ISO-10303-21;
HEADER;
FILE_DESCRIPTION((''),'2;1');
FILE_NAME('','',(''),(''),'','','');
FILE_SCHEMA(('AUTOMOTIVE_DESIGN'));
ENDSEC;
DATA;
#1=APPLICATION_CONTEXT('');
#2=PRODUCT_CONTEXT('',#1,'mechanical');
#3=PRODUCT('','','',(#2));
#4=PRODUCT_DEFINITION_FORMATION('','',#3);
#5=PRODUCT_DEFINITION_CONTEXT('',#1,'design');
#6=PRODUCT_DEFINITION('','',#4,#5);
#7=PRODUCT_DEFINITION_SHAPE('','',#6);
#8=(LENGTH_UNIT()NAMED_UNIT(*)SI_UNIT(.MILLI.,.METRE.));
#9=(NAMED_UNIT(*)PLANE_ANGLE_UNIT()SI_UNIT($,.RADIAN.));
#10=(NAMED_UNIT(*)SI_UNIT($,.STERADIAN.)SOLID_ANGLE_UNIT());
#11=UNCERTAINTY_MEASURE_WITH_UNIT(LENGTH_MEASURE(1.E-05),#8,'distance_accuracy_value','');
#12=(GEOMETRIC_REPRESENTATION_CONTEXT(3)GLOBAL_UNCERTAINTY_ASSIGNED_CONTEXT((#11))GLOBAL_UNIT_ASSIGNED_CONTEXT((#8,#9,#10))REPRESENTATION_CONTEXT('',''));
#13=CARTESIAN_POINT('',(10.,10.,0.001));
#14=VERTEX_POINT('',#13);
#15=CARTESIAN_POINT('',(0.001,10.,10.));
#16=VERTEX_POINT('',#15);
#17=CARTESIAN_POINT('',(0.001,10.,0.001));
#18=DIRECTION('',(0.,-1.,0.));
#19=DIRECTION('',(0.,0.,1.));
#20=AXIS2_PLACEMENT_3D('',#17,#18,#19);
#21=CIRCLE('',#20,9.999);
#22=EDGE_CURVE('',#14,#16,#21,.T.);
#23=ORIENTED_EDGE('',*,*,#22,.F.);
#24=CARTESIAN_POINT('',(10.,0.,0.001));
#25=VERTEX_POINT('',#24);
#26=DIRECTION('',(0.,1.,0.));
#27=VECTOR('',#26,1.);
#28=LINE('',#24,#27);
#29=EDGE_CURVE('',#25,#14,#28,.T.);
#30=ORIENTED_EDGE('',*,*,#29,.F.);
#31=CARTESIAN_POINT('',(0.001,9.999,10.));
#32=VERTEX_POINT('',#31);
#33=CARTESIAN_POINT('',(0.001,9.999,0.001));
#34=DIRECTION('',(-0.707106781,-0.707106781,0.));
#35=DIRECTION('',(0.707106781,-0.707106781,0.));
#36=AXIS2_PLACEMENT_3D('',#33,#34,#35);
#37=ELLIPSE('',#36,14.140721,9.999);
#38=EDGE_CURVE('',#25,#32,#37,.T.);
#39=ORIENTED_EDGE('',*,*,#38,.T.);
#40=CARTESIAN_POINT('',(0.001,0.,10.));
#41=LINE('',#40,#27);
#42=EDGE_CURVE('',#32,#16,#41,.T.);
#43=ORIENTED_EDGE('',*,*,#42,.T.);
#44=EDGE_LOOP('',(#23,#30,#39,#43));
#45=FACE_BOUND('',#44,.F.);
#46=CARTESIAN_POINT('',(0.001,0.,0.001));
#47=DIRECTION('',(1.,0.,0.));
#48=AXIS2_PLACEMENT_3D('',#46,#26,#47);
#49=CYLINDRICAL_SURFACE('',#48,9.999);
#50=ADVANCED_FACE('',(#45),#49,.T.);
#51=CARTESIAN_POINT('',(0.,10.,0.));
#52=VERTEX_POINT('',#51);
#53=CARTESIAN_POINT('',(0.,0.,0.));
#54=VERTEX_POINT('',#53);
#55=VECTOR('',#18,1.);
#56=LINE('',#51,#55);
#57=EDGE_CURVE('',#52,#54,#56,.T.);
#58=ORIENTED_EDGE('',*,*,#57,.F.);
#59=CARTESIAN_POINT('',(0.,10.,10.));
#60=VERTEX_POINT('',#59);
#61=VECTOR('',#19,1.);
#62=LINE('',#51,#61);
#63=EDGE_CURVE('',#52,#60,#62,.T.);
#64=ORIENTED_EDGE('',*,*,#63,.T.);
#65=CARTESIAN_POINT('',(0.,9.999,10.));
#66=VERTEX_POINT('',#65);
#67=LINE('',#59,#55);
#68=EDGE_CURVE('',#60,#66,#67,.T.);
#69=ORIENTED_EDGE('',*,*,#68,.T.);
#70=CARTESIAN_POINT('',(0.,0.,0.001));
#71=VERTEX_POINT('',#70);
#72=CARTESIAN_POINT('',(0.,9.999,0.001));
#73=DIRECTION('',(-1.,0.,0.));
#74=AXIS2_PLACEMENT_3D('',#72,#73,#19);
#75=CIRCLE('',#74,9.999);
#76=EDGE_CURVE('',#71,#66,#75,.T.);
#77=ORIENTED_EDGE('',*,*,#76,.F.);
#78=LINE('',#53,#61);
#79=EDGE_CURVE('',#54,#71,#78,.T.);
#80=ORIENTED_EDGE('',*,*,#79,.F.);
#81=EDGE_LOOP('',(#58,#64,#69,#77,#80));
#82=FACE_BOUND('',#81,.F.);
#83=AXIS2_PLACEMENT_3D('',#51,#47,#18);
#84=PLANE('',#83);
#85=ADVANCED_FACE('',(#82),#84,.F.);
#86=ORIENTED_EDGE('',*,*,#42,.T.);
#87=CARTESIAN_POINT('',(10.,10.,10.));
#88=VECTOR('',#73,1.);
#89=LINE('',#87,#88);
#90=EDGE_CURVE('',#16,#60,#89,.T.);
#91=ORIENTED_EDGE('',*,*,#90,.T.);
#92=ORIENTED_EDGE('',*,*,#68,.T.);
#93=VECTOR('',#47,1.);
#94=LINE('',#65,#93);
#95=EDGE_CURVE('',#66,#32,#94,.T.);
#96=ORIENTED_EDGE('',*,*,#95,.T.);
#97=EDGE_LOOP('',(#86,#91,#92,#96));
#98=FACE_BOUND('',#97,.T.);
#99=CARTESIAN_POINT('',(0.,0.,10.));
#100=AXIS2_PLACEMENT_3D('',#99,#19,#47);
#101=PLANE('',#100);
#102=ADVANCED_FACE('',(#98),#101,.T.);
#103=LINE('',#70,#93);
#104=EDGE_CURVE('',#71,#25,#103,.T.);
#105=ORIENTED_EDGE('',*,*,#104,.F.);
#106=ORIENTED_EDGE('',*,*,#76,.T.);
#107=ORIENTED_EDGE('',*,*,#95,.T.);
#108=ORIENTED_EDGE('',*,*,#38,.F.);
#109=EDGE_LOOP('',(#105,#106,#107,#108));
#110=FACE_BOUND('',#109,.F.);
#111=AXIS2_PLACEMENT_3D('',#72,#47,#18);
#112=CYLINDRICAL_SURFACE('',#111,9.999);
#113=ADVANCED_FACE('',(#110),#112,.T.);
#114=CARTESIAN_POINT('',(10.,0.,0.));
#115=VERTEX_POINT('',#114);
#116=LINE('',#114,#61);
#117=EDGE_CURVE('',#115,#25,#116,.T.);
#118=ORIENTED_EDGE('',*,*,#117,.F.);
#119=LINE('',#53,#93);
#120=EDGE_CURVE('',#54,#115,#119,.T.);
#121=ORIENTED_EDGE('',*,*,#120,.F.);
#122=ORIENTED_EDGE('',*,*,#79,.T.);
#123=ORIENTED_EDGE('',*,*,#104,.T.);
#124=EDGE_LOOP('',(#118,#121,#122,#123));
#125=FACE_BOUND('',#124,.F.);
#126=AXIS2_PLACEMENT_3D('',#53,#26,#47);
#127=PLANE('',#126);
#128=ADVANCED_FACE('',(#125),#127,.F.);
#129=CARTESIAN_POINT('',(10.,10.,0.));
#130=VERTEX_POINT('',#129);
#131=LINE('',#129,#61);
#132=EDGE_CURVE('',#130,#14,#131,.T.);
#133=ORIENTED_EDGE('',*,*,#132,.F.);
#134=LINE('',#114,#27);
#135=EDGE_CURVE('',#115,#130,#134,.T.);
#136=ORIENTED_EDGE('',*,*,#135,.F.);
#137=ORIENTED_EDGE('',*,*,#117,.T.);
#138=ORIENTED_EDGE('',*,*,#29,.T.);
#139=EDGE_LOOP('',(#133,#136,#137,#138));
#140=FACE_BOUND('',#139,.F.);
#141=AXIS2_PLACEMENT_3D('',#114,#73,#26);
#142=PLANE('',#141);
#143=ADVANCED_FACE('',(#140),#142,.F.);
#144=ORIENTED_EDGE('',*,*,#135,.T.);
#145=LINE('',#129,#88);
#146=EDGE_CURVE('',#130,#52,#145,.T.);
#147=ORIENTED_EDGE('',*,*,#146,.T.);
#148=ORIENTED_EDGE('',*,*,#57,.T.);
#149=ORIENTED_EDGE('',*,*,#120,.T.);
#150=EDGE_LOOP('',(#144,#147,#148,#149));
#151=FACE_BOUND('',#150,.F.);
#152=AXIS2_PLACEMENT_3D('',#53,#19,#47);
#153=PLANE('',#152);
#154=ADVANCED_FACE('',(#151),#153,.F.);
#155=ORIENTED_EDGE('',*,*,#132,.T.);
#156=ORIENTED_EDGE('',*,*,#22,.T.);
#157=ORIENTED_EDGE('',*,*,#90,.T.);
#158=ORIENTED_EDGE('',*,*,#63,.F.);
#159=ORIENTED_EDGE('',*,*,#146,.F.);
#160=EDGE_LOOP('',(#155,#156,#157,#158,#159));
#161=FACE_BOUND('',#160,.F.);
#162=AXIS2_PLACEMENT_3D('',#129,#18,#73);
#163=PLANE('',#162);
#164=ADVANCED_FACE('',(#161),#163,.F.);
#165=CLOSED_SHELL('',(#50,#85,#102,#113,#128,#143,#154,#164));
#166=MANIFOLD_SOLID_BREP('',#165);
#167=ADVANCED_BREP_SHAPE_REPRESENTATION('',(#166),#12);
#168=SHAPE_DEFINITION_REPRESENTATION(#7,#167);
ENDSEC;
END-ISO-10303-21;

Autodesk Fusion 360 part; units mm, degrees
sketch "Sketch1" plane through (0, 0, 0) normal (0, 0, 1) x (1, 0, 0)
  line L0 (0, 0) -> (10, 0)
  line L1 (10, 0) -> (10, 10)
  line L2 (10, 10) -> (0, 10)
  line L3 (0, 10) -> (0, 0)
extrude "Extrude1" add sketch "Sketch1" along normal blind 10
fillet "Fillet1" radius 9.999 2 edges at (5, 0, 10) (10, 5, 10)
